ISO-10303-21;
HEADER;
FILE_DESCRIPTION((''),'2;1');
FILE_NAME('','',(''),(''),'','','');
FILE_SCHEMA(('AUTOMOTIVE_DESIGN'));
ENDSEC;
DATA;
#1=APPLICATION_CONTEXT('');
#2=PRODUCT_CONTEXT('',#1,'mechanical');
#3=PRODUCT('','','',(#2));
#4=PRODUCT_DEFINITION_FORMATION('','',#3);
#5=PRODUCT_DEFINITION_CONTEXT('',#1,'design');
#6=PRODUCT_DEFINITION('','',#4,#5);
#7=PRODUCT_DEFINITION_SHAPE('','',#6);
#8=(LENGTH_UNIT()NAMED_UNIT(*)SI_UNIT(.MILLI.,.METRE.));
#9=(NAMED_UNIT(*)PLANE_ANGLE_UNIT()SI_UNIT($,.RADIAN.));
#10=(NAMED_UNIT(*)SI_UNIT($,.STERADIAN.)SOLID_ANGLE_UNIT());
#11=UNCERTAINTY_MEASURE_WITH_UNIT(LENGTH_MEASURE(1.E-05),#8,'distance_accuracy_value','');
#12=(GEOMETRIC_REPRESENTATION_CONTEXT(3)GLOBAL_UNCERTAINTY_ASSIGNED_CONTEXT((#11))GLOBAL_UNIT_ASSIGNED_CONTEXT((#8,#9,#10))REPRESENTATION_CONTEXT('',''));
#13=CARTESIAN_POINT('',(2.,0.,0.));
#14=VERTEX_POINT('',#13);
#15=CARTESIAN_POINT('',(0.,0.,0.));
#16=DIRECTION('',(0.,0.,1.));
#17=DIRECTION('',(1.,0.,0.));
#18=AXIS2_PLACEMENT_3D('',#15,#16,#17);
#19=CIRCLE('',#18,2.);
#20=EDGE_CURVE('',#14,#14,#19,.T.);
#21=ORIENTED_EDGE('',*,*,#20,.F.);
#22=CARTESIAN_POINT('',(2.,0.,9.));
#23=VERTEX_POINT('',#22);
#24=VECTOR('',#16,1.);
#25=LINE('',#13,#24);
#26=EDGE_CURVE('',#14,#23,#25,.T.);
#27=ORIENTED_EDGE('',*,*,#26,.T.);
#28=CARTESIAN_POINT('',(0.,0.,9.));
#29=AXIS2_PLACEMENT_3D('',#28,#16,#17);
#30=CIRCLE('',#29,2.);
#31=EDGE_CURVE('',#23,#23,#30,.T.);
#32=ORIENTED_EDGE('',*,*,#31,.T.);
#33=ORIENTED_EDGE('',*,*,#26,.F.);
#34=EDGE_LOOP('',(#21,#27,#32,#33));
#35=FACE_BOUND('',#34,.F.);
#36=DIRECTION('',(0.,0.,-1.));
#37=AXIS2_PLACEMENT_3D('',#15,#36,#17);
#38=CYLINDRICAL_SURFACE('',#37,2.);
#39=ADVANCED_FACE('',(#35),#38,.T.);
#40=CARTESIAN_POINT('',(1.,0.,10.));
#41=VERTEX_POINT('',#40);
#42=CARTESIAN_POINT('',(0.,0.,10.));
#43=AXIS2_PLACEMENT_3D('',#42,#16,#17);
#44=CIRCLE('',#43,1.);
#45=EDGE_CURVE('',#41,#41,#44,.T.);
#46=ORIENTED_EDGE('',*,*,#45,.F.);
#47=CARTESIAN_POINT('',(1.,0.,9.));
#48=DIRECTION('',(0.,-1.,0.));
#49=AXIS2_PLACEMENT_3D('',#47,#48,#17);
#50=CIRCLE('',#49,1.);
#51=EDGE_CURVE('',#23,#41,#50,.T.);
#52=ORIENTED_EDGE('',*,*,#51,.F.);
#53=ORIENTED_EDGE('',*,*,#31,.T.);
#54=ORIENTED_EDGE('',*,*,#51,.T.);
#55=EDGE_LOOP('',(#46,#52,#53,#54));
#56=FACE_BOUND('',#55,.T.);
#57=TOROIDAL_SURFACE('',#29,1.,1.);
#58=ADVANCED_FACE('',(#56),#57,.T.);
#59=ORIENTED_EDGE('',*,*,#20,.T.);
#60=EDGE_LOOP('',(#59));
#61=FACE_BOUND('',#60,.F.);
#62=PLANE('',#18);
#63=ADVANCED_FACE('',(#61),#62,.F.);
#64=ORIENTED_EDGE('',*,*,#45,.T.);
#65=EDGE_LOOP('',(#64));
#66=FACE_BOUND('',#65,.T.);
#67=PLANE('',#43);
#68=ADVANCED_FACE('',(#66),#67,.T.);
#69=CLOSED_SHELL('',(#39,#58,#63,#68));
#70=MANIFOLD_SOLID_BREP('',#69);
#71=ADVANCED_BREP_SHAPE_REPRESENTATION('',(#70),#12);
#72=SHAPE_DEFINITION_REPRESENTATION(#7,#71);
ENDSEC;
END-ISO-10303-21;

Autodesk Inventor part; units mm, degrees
ref_plane "YZ Plane" through (0, 0, 0) normal (1, 0, 0) x (0, 1, 0)
ref_plane "XZ Plane" through (0, 0, 0) normal (0, 1, 0) x (-1, 0, 0)
ref_plane "XY Plane" through (0, 0, 0) normal (0, 0, 1) x (1, 0, 0)
sketch "Sketch1" plane through (0, 0, 0) normal (0, 0, 1) x (1, 0, 0)
  circle A0 centre (0, 0) radius 2
  dimension "d0" = 4
extrude "Extrusion1" add sketch "Sketch1" along normal blind 10
fillet "Fillet1" radius 1 1 edges at (-2, 0, 10)
properties part number "male-connector"
